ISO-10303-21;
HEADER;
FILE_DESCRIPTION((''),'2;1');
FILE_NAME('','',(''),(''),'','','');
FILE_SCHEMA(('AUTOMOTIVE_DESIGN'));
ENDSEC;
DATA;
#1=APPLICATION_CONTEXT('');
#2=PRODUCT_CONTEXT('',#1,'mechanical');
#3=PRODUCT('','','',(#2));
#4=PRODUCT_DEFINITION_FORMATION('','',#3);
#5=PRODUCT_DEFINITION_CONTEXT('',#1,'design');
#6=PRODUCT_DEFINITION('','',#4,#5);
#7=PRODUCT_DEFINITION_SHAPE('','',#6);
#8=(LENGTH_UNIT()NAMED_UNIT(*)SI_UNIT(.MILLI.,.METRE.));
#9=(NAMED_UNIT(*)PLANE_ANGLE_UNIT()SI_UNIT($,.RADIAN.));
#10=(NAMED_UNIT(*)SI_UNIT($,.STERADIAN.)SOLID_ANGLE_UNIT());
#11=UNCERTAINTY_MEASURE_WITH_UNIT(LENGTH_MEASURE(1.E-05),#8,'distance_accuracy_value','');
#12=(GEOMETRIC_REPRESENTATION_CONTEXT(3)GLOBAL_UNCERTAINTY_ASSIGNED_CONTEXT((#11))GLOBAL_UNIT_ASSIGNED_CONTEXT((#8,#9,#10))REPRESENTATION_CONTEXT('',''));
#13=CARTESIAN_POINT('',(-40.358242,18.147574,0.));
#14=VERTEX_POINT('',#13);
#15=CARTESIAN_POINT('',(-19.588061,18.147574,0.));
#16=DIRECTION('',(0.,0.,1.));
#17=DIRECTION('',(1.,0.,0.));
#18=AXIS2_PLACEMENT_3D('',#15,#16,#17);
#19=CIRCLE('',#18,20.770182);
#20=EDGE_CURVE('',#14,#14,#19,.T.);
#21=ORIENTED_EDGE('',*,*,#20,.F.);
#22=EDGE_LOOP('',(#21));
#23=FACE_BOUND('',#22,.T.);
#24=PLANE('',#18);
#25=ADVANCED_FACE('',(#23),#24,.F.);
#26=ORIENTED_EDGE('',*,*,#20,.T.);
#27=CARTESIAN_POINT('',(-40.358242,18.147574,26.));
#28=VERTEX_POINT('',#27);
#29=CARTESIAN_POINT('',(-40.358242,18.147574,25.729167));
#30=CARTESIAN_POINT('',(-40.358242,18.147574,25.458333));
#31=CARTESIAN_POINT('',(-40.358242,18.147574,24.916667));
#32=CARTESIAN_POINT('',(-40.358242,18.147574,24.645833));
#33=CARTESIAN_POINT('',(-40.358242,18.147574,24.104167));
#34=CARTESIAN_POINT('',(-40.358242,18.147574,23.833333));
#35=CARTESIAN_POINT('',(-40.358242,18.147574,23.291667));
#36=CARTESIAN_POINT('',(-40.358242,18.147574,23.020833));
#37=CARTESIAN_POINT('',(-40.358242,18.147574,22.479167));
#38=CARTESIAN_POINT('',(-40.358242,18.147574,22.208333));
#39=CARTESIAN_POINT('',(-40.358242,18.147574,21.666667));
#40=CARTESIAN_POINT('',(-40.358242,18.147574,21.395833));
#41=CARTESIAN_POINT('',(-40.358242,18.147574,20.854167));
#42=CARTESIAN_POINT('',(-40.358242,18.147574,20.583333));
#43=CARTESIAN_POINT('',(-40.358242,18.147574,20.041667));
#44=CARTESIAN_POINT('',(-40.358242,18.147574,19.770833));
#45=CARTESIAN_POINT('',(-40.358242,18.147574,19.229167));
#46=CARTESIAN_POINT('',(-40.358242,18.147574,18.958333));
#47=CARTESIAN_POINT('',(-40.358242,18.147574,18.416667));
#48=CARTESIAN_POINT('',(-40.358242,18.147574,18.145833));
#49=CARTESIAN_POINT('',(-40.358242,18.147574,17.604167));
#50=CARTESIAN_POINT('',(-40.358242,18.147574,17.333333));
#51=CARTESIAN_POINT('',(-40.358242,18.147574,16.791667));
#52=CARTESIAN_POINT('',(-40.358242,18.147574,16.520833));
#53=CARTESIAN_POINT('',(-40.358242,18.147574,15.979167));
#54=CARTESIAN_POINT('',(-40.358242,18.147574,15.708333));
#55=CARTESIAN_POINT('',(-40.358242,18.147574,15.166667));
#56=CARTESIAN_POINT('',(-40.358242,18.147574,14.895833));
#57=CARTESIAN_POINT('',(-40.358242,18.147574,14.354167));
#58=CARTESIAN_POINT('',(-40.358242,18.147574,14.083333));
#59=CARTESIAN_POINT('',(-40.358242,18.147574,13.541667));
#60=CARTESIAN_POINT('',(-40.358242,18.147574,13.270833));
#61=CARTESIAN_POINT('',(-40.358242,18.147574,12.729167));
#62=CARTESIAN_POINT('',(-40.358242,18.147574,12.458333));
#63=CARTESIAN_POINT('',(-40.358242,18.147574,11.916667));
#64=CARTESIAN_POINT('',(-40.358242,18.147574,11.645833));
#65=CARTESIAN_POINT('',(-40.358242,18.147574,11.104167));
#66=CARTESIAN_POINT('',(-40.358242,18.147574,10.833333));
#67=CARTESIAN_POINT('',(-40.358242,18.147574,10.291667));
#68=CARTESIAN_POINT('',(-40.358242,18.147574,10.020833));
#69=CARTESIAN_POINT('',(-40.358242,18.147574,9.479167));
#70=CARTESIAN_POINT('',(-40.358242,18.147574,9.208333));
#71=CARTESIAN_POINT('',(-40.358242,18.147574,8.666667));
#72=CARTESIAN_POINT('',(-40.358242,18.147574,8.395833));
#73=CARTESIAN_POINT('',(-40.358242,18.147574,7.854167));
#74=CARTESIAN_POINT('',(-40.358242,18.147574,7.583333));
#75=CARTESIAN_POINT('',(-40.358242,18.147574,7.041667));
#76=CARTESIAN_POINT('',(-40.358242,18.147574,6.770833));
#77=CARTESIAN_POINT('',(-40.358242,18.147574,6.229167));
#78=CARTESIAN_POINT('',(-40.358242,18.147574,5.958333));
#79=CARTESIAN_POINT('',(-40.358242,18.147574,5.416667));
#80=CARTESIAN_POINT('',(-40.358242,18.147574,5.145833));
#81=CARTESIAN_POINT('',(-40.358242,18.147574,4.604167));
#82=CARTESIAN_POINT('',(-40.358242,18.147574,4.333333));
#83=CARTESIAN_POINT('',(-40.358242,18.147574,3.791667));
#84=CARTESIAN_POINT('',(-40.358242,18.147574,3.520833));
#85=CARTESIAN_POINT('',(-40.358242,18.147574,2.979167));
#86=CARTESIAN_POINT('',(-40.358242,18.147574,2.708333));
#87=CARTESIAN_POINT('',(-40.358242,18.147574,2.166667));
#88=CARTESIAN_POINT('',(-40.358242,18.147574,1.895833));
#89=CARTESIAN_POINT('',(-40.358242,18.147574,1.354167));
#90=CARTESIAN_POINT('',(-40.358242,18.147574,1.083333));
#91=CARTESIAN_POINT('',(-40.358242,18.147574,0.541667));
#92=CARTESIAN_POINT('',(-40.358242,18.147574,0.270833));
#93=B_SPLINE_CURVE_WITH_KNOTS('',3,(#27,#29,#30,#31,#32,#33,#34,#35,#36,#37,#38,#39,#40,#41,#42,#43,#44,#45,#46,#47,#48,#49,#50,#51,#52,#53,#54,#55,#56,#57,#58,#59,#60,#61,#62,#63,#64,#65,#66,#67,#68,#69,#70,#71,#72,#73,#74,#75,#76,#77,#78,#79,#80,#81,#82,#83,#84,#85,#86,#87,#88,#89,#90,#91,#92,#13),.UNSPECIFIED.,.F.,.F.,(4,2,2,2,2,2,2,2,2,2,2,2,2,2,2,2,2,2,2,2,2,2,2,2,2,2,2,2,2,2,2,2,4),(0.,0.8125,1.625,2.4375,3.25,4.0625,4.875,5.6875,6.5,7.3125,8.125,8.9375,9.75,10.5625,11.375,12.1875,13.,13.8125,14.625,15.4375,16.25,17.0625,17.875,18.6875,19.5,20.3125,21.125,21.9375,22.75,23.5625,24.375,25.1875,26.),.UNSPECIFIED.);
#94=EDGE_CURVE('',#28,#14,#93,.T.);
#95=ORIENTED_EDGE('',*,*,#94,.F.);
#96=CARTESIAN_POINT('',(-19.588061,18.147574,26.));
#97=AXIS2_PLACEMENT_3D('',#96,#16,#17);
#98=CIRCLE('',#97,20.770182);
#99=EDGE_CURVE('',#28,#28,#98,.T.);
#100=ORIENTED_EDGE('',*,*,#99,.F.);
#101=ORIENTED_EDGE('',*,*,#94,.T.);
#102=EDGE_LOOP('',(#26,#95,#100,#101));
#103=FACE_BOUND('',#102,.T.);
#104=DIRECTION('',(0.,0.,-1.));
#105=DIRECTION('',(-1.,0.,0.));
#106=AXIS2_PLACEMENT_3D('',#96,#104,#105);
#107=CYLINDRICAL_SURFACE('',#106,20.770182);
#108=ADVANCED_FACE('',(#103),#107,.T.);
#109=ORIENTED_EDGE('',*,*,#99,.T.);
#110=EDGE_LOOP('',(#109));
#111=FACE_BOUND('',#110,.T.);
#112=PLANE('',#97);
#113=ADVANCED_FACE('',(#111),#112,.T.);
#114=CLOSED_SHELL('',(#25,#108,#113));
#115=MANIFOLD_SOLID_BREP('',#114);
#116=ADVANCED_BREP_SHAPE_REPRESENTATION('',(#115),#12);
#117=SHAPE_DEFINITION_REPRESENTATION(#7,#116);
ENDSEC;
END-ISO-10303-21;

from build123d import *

# Parameters (mm, degrees)
IZIM1_R                     = 20.77018178
Y_KSEKLIK_EKSTR_ZYON1_DEPTH = 26


with BuildPart() as part:
    # Çizim1 → Yükseklik-Ekstrüzyon1 (new body)
    with BuildSketch(Plane.XY):
        with Locations(Location((-19.588060546, 18.147573657, 0), (0, 0, 180))):
            Circle(IZIM1_R)
    extrude(amount=Y_KSEKLIK_EKSTR_ZYON1_DEPTH)


solid = part.part
